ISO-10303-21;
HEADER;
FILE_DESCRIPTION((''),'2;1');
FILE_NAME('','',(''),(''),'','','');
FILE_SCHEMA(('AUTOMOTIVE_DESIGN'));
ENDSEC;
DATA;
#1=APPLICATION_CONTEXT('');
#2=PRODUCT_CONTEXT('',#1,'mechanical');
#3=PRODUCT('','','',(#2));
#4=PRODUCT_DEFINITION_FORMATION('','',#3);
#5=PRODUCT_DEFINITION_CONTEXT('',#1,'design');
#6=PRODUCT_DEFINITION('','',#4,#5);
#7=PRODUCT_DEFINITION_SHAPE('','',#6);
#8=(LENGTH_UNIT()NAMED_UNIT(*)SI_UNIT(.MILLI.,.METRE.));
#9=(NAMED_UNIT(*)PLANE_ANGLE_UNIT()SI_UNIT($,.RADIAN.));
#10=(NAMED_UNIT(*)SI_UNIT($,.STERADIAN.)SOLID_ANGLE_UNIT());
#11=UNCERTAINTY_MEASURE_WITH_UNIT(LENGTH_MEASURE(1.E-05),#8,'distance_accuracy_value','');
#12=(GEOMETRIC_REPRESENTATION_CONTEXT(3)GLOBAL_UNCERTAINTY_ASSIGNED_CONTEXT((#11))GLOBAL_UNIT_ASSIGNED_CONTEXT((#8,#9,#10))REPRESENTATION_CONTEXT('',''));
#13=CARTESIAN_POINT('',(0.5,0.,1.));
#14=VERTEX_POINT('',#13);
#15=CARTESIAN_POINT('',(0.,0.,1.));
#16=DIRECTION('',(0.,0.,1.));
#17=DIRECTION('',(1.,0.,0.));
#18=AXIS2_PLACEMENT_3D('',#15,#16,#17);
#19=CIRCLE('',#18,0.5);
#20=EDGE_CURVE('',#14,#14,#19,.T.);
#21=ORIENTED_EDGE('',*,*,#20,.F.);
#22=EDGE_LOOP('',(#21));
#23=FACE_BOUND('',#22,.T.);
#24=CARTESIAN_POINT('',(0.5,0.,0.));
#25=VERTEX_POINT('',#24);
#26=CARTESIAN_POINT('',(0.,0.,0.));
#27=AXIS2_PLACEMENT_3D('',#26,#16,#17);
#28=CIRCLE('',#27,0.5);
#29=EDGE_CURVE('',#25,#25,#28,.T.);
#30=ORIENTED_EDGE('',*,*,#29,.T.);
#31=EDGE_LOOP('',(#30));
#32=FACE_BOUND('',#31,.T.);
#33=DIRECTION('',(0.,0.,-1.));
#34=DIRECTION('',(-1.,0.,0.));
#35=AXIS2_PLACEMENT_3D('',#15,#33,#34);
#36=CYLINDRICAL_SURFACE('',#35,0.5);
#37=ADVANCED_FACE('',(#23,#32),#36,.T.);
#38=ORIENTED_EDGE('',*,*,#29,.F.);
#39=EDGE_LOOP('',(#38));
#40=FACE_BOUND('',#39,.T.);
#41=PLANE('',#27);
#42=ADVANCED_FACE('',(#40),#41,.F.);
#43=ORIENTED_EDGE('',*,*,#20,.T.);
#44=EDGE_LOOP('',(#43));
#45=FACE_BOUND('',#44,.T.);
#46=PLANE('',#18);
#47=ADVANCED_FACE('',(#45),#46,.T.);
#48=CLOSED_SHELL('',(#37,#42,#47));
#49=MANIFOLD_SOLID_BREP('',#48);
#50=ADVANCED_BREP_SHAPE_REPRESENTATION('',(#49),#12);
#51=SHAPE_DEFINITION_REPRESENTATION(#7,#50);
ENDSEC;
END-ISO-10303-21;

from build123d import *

# Parameters (mm, degrees)
SKETCH_1_R      = 0.5
EXTRUDE_1_DEPTH = 1


with BuildPart() as part:
    # 草图1 → 凸台-拉伸1 (new body)
    with BuildSketch(Plane.XY):
        Circle(SKETCH_1_R)
    extrude(amount=EXTRUDE_1_DEPTH)


solid = part.part
